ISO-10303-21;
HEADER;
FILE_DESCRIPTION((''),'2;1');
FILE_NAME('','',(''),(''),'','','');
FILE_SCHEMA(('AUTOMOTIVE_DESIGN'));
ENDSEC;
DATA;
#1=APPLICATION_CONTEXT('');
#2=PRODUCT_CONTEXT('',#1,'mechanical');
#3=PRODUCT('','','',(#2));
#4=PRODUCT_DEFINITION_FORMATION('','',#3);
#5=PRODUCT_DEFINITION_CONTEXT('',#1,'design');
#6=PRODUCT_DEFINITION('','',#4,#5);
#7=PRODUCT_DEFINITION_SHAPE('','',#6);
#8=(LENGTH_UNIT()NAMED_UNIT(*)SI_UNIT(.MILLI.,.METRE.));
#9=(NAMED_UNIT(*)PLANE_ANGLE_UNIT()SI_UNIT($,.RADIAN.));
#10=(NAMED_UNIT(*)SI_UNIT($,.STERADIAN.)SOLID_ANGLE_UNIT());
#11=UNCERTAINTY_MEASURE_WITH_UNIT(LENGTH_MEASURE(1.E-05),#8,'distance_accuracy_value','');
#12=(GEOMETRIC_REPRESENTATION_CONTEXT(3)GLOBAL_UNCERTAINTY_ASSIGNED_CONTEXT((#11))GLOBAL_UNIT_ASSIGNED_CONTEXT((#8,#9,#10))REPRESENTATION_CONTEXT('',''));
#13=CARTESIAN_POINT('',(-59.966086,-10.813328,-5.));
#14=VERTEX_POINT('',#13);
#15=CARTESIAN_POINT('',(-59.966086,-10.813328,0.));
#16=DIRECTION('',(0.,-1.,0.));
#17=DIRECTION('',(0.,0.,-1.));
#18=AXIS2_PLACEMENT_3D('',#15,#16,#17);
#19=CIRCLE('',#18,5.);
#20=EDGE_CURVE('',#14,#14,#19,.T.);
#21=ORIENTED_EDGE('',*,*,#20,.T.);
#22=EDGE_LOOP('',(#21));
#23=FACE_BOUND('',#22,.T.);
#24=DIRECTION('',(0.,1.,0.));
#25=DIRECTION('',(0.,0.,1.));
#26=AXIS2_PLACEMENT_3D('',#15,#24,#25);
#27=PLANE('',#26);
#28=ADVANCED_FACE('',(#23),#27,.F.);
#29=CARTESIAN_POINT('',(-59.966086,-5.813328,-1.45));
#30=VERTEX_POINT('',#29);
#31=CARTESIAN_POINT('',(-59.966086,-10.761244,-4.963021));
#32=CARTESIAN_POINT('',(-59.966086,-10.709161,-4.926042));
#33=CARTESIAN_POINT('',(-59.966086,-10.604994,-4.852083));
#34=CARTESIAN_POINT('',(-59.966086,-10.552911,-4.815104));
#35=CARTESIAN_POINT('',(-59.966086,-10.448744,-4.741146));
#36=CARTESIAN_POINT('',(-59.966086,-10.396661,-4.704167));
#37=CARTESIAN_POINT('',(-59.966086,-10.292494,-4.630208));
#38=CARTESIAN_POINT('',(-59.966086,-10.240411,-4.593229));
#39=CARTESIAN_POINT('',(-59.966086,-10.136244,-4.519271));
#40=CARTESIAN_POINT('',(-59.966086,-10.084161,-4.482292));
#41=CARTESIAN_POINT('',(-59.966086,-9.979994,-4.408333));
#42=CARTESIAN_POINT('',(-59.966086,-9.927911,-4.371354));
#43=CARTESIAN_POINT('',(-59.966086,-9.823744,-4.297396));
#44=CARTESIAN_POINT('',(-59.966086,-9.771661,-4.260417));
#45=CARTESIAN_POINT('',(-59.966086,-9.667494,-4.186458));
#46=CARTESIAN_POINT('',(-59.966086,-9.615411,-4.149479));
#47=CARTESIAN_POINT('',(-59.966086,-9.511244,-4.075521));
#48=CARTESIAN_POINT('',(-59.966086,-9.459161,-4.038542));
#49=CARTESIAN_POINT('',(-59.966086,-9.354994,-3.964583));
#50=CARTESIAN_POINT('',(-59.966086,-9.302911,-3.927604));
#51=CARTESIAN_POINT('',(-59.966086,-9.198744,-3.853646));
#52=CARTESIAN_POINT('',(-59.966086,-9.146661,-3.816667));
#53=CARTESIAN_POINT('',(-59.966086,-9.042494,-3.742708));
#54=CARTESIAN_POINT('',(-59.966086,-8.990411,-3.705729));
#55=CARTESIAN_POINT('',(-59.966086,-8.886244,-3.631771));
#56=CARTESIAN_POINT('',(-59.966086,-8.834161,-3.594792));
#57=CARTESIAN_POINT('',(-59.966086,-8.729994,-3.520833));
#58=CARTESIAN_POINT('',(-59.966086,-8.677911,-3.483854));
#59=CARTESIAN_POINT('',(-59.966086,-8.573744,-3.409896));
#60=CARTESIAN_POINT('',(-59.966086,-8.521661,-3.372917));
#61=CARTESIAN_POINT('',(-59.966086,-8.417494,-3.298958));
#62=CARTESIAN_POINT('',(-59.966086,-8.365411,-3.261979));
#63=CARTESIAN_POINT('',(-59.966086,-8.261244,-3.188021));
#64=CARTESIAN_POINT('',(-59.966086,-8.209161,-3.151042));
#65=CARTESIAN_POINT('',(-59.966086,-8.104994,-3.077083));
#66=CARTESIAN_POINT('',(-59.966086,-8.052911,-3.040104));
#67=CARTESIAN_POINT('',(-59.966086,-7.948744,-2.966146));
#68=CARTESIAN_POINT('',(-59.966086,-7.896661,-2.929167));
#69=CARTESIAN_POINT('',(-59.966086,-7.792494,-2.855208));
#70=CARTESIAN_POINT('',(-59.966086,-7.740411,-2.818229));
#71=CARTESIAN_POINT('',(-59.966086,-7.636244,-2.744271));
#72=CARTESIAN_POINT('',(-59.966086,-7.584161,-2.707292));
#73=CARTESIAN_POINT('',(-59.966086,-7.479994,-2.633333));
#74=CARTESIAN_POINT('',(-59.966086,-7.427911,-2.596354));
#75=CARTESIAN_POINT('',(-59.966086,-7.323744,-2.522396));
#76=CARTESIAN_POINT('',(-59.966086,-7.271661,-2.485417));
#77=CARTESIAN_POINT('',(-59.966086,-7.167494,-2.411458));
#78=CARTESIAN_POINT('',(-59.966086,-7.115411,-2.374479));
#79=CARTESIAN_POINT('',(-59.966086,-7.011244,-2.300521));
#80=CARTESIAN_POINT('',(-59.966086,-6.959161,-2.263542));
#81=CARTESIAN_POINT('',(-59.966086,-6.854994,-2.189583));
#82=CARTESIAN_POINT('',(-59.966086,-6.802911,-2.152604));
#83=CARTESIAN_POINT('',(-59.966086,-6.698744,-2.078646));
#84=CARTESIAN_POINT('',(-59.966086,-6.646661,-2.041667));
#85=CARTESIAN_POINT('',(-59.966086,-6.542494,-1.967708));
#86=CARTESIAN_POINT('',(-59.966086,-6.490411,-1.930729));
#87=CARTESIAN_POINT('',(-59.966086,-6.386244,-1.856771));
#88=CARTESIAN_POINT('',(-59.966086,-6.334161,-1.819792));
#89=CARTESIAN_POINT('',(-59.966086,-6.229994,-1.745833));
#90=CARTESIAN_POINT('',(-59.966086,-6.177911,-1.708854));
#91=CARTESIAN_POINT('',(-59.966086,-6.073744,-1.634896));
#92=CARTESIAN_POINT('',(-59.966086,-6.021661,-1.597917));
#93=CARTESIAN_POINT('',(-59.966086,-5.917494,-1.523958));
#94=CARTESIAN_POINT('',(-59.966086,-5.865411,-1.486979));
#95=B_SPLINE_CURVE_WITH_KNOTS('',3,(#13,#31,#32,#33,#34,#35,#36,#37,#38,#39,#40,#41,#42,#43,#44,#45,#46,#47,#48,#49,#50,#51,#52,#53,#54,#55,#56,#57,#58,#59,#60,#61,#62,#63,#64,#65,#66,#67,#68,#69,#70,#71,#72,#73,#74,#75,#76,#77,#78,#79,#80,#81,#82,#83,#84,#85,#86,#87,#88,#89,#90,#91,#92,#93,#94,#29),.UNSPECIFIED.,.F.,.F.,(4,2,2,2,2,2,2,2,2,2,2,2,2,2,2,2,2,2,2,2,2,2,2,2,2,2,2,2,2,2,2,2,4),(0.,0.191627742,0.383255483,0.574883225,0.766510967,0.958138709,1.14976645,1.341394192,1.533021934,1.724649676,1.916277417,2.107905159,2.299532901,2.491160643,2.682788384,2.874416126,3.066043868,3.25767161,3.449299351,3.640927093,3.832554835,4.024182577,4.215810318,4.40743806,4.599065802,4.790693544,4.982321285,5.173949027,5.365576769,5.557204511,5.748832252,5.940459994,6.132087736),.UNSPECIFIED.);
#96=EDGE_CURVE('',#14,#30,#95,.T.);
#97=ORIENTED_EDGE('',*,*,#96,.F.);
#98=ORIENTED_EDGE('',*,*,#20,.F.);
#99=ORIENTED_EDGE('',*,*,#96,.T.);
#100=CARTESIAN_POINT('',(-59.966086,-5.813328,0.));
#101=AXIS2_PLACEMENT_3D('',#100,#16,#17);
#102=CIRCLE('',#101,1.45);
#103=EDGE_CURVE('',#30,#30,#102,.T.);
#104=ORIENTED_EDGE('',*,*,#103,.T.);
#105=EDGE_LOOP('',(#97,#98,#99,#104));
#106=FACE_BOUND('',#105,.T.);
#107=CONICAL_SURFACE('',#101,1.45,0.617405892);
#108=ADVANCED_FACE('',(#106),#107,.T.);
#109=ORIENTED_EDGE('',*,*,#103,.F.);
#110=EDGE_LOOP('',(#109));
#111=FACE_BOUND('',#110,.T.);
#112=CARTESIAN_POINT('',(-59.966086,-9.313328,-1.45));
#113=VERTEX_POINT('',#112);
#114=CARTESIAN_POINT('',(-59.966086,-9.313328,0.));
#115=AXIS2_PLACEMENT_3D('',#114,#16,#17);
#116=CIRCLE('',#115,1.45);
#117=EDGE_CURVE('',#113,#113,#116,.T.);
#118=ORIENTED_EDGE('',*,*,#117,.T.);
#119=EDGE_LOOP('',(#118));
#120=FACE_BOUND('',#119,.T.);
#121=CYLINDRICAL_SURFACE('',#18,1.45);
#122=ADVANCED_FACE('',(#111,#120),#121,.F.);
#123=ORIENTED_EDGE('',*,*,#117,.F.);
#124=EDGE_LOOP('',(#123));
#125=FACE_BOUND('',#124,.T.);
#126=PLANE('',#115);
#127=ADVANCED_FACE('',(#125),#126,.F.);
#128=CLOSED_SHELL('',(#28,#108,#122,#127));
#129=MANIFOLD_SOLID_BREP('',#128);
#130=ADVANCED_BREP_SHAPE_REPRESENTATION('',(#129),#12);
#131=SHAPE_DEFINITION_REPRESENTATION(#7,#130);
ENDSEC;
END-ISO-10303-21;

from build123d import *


with BuildPart() as part:
    # Croquis2 → Revolución1 (revolve)
    with BuildSketch(Plane.XY, mode=Mode.PRIVATE) as revoluci_n1_sk:
        Polygon((-59.96608578, -10.813327674), (-64.96608578, -10.813327674), (-61.41608578, -5.813327674), (-61.41608578, -9.313327674), (-59.96608578, -9.313327674), align=None)
    revolve(revoluci_n1_sk.sketch.rotate(Axis((-59.96608578, -10.813327674, 0), (0, 1, 0)), 270), axis=Axis((-59.96608578, -10.813327674, 0), (0, 1, 0)))


solid = part.part
